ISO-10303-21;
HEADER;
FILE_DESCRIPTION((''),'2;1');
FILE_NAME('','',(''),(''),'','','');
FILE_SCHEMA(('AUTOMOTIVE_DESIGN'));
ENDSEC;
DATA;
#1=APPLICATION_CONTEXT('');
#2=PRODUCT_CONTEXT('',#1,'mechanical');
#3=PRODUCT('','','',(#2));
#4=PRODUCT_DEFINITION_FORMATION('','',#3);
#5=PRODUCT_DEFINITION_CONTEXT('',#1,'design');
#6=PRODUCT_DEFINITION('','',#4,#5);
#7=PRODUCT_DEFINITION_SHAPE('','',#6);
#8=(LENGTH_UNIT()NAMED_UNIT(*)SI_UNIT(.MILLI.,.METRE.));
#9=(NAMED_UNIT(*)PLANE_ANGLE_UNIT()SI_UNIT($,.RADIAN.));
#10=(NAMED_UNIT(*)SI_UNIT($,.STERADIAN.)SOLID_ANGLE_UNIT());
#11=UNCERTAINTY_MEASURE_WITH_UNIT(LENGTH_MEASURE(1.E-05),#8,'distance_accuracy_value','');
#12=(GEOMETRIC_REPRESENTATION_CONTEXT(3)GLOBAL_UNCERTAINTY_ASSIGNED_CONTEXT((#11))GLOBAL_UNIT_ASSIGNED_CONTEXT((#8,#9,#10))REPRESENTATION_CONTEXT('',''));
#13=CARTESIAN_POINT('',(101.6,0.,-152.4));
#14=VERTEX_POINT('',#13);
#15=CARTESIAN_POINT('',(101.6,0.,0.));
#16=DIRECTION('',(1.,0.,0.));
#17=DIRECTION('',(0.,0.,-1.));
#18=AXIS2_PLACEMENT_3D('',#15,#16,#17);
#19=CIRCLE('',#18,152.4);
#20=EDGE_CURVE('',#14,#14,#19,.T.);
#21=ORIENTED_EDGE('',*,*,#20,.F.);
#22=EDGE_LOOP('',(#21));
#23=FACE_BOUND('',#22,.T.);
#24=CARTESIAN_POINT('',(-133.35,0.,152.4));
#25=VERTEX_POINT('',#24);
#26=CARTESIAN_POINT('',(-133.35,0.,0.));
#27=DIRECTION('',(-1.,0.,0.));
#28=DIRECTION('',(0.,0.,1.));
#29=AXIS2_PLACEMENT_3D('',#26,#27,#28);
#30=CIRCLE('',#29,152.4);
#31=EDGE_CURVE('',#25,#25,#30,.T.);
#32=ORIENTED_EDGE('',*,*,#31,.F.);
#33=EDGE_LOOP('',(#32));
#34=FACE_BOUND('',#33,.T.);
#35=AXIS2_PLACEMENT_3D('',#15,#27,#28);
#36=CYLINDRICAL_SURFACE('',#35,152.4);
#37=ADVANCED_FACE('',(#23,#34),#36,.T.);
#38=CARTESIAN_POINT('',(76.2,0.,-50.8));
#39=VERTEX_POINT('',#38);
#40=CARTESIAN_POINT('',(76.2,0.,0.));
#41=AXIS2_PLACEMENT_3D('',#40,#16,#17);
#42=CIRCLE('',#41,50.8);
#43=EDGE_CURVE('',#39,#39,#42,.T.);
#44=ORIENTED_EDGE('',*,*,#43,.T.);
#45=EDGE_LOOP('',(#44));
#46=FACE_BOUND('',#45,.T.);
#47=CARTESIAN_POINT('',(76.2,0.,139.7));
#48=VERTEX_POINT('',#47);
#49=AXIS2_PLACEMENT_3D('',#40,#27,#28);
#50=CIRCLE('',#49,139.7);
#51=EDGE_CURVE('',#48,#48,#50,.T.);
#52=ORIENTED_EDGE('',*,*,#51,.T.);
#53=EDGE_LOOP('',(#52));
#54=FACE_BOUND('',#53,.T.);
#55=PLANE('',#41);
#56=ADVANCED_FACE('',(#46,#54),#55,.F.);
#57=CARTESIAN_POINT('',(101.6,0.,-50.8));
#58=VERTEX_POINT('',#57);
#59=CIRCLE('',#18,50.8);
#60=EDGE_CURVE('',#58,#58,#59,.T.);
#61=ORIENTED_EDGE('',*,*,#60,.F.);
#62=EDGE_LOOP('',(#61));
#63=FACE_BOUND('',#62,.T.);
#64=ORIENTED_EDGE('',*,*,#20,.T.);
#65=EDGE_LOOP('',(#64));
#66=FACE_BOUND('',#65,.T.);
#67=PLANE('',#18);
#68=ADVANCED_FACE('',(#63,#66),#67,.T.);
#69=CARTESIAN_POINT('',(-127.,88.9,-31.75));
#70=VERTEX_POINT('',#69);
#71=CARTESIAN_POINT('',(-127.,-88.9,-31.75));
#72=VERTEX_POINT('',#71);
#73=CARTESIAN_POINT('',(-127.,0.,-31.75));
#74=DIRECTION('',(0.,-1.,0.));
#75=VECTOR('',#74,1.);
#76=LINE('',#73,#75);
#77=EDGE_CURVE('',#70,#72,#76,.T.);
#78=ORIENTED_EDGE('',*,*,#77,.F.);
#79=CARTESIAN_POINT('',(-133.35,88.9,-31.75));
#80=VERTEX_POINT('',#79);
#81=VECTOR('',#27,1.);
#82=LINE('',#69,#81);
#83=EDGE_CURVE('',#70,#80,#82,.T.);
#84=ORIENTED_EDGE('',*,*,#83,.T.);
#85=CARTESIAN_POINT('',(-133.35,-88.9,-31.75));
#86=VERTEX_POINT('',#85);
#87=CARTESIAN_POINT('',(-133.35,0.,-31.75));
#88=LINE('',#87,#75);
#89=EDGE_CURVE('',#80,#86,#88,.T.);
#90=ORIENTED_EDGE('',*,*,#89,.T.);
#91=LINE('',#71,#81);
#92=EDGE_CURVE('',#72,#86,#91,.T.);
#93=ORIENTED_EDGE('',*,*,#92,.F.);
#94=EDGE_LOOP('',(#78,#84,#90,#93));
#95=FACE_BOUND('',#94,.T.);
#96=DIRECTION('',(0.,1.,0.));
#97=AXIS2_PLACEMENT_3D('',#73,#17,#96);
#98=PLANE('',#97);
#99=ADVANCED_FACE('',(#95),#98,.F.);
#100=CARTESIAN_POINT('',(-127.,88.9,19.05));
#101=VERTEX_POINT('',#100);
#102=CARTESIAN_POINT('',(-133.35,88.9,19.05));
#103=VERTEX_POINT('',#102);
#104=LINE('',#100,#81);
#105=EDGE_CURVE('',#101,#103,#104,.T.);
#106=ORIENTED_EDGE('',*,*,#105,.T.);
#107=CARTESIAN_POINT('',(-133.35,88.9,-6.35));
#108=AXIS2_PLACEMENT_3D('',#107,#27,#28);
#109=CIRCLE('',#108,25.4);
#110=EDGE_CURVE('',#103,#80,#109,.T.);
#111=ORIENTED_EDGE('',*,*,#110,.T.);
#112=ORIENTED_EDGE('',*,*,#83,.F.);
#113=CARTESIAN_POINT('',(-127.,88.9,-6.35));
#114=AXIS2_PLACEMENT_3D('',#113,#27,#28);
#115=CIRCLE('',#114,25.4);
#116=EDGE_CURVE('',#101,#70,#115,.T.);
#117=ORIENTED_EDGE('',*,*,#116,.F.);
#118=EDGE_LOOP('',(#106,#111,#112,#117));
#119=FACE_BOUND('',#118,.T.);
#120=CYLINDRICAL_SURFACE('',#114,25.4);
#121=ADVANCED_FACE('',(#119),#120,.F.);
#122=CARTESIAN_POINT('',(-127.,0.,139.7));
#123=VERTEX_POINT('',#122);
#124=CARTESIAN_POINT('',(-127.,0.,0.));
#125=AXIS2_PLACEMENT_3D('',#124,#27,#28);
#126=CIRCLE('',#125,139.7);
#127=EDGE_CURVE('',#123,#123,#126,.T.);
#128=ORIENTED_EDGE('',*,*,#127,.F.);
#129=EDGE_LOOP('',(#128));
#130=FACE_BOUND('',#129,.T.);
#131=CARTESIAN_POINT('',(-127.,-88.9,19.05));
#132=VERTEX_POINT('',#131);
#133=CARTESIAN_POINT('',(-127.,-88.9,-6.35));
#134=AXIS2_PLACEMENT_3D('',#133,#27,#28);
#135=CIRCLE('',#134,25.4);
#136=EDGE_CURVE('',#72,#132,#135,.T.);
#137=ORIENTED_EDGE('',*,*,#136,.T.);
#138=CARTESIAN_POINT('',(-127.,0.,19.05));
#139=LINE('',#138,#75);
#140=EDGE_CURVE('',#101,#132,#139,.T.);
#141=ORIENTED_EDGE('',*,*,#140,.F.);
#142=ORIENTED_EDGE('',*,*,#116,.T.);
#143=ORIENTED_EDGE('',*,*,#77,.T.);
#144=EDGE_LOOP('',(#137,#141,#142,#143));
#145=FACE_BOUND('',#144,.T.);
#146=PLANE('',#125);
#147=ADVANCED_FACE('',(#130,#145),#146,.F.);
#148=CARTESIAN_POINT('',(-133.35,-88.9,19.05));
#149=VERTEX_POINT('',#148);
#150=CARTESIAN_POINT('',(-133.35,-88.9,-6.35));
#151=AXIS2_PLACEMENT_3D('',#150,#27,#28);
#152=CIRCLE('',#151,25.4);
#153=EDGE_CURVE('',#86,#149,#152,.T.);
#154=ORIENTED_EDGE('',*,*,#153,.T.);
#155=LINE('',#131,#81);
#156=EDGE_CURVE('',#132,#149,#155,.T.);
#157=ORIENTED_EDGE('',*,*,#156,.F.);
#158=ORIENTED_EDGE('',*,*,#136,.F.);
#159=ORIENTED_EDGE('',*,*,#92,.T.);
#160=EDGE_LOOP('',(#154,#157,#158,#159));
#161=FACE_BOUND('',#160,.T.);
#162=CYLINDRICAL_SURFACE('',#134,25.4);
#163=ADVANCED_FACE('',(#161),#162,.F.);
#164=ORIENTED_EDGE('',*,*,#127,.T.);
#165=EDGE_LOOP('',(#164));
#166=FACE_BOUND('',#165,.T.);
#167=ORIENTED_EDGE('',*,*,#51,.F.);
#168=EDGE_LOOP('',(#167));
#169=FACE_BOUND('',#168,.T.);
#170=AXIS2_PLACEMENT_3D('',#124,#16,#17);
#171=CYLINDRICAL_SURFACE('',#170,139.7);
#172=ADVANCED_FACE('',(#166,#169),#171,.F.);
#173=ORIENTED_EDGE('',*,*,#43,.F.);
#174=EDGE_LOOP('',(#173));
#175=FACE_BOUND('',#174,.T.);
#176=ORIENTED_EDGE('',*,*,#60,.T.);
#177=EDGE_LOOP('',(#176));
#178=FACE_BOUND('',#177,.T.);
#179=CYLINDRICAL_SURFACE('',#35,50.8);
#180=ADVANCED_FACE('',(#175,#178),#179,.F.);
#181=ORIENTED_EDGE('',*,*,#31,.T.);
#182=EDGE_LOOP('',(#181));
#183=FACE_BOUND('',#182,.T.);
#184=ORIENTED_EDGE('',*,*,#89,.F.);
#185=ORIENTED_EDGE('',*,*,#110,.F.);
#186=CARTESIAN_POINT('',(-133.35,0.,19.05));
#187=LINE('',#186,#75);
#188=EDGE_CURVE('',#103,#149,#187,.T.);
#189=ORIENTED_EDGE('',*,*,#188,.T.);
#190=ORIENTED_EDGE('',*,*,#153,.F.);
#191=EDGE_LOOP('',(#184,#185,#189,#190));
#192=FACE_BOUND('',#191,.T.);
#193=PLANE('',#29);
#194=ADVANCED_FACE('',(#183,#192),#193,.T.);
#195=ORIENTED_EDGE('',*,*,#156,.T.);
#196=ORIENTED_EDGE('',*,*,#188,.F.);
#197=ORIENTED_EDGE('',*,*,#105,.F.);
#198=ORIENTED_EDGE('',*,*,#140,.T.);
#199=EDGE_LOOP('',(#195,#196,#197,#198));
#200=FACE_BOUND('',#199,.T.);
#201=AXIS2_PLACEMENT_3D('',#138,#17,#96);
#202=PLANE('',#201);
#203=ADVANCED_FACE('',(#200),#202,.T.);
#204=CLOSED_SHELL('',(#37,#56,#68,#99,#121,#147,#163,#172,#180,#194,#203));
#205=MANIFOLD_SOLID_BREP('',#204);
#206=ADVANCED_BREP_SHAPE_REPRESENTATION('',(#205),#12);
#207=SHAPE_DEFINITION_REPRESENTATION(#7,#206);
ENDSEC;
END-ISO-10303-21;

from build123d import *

# Parameters (mm, degrees)
BOSS_EXTRUDE1_START = 76.2
SKETCH2_R           = 152.4
SKETCH2_R_2         = 50.8
BOSS_EXTRUDE1_DEPTH = 25.4
BOSS_EXTRUDE2_START = 203.2
SKETCH3_R           = 152.4
SKETCH3_R_2         = 139.7
BOSS_EXTRUDE2_DEPTH = 203.2
BOSS_EXTRUDE3_START = 6.35
SKETCH4_R           = 152.4
BOSS_EXTRUDE3_DEPTH = 6.35
CUT_EXTRUDE1_START  = -120.65
CUT_EXTRUDE1_DEPTH  = 6.35


with BuildPart() as part:
    # Sketch2 → Boss-Extrude1 (new body)
    with BuildSketch(Plane(origin=(0, 0, 0), x_dir=(0, 0, -1), z_dir=(1, 0, 0)).offset(BOSS_EXTRUDE1_START)):
        Circle(SKETCH2_R)
        Circle(SKETCH2_R_2, mode=Mode.SUBTRACT)
    extrude(amount=BOSS_EXTRUDE1_DEPTH)

    # Sketch3 → Boss-Extrude2 (add)
    with BuildSketch(Plane.ZY.offset(-76.2).offset(BOSS_EXTRUDE2_START)):
        Circle(SKETCH3_R)
        Circle(SKETCH3_R_2, mode=Mode.SUBTRACT)
    extrude(amount=-BOSS_EXTRUDE2_DEPTH)

    # Sketch4 → Boss-Extrude3 (add)
    with BuildSketch(Plane.ZY.offset(127).offset(BOSS_EXTRUDE3_START)):
        Circle(SKETCH4_R)
    extrude(amount=-BOSS_EXTRUDE3_DEPTH)

    # Sketch5 → Cut-Extrude1 (cut)
    with BuildSketch(Plane.ZY.offset(254).offset(CUT_EXTRUDE1_START)):
        with BuildLine():
            Line((19.05, 88.9), (19.05, -88.9))
            ThreePointArc((19.05, -88.9), (-6.35, -114.3), (-31.75, -88.9))
            Line((-31.75, -88.9), (-31.75, 88.9))
            ThreePointArc((-31.75, 88.9), (-6.35, 114.3), (19.05, 88.9))
        make_face()
    extrude(amount=-CUT_EXTRUDE1_DEPTH, mode=Mode.SUBTRACT)


solid = part.part
